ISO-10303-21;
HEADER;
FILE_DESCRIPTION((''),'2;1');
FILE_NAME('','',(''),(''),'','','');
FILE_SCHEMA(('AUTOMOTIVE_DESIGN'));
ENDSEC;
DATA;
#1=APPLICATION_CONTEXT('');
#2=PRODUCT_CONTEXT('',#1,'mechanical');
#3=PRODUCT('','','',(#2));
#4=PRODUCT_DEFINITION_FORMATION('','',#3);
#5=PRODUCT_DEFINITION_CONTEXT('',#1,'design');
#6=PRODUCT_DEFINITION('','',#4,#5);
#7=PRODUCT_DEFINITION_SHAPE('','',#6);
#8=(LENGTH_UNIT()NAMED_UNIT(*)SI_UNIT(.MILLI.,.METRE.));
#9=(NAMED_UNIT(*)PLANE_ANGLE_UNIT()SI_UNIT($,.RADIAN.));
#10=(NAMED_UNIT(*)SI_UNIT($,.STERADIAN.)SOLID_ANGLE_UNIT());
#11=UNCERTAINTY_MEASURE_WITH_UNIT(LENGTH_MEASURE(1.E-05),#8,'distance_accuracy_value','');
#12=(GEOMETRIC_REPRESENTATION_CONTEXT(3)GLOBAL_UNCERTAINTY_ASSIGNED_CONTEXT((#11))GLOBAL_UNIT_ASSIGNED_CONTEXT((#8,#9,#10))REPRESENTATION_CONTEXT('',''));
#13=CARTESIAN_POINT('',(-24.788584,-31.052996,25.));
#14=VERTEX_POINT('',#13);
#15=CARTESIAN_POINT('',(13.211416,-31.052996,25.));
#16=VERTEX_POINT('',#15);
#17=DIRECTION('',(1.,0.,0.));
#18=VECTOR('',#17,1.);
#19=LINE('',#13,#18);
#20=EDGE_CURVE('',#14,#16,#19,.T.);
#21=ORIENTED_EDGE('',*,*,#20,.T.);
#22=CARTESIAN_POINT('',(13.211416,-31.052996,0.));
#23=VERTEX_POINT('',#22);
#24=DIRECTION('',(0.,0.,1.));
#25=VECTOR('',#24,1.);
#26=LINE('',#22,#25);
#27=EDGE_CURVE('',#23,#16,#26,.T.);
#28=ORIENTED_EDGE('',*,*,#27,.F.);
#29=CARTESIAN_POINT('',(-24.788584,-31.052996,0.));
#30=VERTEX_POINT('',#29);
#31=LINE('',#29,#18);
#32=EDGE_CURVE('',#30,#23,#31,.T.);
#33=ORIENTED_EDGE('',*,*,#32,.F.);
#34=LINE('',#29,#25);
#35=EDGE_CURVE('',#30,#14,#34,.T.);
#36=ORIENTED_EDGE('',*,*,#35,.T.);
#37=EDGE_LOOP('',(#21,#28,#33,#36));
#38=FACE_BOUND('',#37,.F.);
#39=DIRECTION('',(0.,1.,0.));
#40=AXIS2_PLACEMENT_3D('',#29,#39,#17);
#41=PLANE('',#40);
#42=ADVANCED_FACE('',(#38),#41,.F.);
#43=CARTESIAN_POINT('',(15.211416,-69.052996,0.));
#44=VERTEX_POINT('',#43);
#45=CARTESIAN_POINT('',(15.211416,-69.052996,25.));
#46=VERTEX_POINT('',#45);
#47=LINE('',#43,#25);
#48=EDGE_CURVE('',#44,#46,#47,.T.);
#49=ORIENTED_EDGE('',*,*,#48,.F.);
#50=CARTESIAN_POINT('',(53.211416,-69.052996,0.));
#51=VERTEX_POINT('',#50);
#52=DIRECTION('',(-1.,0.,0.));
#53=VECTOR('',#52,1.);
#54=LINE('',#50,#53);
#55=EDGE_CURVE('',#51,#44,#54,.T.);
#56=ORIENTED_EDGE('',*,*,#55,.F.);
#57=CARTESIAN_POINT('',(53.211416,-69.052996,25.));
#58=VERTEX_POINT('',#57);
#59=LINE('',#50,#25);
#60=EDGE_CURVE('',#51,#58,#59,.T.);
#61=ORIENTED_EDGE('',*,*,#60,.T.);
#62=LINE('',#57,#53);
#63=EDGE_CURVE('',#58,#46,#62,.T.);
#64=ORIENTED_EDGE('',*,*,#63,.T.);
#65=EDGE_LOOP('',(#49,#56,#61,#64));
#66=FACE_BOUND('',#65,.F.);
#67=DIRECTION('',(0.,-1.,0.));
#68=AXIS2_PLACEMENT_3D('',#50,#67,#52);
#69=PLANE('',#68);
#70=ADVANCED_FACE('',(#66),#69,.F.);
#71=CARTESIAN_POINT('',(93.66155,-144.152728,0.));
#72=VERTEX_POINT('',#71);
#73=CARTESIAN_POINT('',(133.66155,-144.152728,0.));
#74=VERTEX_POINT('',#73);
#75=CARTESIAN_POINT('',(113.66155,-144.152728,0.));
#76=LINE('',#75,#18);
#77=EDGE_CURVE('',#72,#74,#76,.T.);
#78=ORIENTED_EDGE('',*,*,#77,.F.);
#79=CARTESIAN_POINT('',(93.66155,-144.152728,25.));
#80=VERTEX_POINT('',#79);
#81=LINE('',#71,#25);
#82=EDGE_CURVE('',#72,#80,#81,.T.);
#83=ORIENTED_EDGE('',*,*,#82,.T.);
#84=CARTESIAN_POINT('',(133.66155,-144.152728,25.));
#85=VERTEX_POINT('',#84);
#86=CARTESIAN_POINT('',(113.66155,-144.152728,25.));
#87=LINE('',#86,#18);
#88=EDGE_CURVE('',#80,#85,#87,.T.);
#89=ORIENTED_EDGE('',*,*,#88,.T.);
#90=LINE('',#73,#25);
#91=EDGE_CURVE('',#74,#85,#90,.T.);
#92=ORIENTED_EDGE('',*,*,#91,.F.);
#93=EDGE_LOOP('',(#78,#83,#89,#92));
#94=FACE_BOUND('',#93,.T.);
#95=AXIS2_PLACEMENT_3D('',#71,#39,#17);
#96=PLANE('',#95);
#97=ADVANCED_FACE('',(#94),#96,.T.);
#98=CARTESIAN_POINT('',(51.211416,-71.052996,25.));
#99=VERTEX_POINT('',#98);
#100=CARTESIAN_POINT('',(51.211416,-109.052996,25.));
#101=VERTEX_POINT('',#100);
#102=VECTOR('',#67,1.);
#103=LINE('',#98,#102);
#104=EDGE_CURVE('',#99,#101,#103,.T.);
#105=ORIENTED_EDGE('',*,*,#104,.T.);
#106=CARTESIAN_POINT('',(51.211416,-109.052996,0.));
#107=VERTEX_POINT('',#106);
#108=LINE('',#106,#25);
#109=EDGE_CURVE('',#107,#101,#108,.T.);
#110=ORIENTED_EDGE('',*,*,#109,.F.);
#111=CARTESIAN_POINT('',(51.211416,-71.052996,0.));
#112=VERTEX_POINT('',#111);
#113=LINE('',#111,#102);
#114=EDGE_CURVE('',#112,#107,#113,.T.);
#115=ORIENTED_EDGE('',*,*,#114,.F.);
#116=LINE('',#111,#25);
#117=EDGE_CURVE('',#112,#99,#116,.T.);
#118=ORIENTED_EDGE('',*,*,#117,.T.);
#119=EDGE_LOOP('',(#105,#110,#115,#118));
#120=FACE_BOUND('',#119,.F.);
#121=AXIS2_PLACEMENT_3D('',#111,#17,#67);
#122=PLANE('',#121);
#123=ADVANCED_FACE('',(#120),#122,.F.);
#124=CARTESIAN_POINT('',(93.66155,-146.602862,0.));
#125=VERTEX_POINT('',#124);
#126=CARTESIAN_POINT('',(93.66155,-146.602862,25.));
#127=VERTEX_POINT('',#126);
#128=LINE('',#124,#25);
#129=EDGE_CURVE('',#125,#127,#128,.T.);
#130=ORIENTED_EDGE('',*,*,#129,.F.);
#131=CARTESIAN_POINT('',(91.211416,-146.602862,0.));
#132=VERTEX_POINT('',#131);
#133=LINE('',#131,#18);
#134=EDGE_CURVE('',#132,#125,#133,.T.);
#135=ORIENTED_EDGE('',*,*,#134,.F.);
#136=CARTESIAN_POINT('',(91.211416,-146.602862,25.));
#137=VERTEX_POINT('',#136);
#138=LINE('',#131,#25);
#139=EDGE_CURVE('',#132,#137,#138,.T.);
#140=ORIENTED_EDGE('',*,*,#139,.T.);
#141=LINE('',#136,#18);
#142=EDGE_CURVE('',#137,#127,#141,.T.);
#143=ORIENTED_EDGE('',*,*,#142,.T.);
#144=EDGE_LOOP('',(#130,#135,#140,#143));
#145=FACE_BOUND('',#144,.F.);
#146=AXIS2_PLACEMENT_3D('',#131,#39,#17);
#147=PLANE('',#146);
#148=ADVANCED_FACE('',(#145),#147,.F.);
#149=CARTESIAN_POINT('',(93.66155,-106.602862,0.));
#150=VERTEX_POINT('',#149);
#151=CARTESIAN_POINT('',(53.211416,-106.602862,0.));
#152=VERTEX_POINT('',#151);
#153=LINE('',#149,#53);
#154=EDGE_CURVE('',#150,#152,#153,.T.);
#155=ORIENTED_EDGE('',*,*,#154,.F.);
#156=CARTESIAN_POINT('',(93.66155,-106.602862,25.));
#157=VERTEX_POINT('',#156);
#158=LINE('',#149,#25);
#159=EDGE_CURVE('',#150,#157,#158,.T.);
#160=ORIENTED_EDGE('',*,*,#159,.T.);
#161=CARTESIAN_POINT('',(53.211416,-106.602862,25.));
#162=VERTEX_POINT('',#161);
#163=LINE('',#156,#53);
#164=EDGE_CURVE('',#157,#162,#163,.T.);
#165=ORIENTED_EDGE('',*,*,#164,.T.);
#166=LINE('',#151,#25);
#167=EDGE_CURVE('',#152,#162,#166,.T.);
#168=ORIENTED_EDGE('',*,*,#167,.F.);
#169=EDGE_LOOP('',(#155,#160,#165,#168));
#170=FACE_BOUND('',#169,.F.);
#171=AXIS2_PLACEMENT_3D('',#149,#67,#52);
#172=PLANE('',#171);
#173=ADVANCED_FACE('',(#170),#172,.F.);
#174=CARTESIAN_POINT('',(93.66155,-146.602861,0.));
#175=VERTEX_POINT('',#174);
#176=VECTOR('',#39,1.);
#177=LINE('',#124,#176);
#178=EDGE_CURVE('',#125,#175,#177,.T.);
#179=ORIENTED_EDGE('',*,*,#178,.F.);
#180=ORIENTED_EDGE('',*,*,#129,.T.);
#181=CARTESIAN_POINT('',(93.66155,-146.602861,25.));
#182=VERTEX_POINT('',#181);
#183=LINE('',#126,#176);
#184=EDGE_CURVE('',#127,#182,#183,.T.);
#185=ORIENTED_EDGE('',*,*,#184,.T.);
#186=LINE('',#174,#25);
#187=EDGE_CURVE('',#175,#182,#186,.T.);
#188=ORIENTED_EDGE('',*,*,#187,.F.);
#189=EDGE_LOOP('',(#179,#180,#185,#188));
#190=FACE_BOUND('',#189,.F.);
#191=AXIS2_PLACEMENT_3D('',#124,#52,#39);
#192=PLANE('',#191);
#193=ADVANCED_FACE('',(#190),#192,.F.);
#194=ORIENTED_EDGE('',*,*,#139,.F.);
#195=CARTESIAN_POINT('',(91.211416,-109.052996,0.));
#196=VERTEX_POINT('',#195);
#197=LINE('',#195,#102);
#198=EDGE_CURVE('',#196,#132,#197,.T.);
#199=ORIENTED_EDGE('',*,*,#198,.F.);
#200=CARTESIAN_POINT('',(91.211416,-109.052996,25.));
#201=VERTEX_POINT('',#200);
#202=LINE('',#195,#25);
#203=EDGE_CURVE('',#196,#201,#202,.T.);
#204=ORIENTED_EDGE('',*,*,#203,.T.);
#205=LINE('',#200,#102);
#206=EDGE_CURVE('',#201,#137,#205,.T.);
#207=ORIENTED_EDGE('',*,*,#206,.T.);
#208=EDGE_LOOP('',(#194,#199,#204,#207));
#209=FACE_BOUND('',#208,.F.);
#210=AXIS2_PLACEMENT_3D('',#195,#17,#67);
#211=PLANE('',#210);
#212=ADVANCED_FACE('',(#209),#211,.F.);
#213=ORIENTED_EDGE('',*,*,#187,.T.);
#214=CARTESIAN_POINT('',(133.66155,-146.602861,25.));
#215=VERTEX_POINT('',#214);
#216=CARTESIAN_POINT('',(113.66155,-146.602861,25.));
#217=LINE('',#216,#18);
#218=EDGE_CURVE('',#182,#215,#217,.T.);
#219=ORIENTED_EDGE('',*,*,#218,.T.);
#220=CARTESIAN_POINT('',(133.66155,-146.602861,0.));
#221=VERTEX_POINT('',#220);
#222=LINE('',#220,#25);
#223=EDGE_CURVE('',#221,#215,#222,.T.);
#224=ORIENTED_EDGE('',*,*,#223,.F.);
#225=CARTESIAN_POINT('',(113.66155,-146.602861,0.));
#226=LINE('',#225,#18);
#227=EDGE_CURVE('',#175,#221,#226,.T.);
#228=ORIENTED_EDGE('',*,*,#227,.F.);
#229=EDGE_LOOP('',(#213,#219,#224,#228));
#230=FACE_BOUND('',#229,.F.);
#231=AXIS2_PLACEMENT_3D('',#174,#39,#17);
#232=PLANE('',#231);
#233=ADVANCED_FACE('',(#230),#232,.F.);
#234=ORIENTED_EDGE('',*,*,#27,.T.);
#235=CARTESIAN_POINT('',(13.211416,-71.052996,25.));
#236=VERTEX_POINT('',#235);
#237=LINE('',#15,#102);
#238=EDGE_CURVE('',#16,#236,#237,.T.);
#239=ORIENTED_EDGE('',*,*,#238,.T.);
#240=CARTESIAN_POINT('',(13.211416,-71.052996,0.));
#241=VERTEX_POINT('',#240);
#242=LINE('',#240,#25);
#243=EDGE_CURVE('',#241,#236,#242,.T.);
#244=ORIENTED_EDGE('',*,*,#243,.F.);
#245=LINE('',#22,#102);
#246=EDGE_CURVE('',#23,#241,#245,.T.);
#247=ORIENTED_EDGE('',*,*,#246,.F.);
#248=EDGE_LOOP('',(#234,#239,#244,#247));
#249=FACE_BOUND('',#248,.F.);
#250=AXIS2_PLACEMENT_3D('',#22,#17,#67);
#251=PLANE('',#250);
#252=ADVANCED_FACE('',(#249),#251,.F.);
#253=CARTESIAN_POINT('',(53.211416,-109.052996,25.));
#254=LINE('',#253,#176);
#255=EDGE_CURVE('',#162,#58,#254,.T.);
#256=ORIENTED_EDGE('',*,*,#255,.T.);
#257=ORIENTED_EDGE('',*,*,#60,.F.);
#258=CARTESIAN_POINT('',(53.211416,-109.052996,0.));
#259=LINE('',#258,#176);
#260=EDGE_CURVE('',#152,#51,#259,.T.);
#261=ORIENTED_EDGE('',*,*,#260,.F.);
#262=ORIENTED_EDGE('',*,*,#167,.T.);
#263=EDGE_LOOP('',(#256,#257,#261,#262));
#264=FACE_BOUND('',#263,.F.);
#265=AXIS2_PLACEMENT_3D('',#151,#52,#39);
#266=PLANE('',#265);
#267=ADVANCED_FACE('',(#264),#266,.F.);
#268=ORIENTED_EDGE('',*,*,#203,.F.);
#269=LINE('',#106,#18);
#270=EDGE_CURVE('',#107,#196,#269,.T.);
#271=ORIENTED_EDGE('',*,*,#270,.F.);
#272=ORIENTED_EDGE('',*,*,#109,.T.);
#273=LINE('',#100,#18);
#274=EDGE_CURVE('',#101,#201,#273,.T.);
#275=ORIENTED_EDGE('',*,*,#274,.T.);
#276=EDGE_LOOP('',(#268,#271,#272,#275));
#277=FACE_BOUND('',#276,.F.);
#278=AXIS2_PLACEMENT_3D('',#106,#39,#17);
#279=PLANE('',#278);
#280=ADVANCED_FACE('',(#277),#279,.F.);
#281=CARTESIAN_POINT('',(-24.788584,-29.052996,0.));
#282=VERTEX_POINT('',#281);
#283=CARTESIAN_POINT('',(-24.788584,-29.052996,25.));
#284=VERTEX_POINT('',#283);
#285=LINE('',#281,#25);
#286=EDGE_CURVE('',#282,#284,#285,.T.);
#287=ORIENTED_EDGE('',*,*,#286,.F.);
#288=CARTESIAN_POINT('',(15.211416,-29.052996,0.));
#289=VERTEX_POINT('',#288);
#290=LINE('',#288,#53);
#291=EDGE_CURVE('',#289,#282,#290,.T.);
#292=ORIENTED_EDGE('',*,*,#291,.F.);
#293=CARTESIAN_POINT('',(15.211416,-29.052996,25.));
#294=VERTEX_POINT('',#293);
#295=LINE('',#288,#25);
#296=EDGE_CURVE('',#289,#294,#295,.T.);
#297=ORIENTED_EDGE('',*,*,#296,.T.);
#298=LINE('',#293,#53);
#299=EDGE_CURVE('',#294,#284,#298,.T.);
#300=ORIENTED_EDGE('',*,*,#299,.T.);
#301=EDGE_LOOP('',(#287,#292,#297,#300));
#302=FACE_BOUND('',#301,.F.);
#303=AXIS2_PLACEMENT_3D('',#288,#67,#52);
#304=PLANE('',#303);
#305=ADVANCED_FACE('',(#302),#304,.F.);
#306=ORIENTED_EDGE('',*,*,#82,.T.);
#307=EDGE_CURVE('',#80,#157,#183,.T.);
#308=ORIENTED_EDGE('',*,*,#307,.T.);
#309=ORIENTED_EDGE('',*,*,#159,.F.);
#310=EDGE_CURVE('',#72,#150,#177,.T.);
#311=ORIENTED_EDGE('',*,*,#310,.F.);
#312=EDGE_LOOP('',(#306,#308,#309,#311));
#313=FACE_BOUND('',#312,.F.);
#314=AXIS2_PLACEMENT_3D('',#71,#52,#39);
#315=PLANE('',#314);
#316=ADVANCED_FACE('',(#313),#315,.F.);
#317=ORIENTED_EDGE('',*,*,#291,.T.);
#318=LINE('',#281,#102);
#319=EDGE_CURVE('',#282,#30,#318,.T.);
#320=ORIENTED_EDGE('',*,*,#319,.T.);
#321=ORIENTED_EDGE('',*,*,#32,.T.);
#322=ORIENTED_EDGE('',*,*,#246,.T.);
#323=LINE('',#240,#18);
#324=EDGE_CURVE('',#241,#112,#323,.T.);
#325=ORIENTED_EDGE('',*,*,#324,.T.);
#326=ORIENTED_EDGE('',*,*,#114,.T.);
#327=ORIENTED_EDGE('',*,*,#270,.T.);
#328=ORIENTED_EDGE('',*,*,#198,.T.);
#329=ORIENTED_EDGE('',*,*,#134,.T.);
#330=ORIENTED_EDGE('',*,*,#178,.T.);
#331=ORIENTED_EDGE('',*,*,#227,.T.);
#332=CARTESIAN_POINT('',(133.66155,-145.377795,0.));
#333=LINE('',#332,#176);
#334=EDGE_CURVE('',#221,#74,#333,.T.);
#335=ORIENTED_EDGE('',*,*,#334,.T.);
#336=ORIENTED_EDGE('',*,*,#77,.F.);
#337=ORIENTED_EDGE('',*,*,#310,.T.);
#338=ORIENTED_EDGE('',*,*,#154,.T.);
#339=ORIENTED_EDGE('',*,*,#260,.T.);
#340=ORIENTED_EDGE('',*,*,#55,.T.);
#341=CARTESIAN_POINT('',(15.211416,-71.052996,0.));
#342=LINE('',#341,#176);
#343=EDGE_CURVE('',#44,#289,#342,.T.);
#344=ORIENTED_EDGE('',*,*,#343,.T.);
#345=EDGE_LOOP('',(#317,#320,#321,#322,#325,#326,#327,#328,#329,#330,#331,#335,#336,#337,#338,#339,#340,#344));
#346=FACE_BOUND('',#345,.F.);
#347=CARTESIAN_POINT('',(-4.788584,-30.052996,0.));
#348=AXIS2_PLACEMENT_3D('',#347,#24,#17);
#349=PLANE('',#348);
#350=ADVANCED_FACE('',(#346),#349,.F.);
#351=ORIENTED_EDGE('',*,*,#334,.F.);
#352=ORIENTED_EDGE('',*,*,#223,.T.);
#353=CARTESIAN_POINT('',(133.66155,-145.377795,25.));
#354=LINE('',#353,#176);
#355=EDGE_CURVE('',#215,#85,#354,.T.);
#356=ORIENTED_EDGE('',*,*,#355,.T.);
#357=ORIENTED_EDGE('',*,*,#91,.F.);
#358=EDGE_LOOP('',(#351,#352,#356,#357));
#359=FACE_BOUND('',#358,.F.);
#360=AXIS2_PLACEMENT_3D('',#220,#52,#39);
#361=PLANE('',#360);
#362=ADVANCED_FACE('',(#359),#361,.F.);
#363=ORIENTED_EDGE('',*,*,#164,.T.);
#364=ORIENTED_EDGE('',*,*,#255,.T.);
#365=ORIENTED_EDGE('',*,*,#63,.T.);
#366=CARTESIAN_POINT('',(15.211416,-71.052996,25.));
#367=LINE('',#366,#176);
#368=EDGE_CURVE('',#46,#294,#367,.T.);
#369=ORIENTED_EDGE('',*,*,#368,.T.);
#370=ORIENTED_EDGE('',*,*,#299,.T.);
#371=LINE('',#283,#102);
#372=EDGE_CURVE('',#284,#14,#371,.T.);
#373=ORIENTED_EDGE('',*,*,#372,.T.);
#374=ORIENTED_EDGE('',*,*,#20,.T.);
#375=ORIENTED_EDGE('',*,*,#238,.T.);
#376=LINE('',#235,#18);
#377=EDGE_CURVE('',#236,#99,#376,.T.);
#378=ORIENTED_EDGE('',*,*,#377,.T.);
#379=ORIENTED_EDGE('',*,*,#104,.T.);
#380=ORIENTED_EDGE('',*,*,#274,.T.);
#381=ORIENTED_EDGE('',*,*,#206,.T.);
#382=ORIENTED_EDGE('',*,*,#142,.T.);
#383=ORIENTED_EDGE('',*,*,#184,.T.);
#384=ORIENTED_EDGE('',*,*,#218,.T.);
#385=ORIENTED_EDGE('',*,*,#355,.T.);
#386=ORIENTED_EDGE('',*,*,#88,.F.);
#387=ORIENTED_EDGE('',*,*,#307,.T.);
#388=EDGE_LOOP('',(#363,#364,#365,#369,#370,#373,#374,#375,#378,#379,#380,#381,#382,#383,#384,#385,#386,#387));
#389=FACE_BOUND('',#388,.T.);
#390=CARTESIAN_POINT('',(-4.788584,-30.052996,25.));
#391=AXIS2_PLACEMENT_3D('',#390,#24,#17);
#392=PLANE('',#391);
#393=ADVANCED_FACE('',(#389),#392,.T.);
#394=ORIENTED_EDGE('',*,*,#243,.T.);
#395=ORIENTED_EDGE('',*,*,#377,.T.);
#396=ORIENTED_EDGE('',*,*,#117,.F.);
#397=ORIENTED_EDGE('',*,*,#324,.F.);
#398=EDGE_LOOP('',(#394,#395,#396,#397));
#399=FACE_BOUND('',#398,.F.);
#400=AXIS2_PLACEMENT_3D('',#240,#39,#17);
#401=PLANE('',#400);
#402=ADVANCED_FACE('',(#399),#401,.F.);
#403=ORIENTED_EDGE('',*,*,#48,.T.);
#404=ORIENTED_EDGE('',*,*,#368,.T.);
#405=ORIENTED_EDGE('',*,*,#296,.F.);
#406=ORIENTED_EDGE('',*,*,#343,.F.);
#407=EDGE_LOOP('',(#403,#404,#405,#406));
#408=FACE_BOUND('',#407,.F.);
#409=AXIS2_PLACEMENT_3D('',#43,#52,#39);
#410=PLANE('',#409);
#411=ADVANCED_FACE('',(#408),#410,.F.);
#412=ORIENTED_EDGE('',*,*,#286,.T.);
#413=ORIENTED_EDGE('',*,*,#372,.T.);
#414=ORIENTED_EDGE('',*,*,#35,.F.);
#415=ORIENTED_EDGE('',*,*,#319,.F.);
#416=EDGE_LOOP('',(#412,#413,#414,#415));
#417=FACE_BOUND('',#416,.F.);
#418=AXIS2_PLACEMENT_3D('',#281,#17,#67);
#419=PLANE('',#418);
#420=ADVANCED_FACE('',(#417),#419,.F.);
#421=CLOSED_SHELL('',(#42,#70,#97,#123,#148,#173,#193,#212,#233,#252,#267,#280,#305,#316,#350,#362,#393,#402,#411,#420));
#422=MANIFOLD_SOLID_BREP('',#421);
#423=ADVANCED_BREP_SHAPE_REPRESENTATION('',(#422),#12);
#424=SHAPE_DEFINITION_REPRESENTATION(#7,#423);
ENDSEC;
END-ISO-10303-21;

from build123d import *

# Parameters (mm, degrees)
F0_W     = 2
F0_H     = 38
F0_H_2   = 2
F0_W_2   = 36
F0_H_3   = 35.549866
F0_H_4   = 2.450134
F0_W_3   = 38
F0_W_4   = 40
F0_H_5   = 2.450133
F1_DEPTH = 25


with BuildPart() as f1:
    # F0 (on Top) → F1 (new body)
    with BuildSketch(Plane.XY):
        Polygon((-24.788584, -29.052996), (-24.788584, -31.052996), (13.211416, -31.052996), (15.211416, -31.052996), (15.211416, -29.052996), align=None)
        with Locations((14.211416, -50.052996)):
            Rectangle(F0_W, F0_H)
        with Locations((14.211416, -70.052996)):
            Rectangle(F0_W, F0_H_2)
        with Locations((33.211416, -70.052996)):
            Rectangle(F0_W_2, F0_H_2)
        with Locations((52.211416, -70.052996)):
            Rectangle(F0_W, F0_H_2)
        with Locations((52.211416, -88.827929)):
            Rectangle(F0_W, F0_H_3)
        with Locations((52.211416, -107.827929)):
            Rectangle(F0_W, F0_H_4)
        with Locations((72.211416, -107.827929)):
            Rectangle(F0_W_3, F0_H_4)
        Polygon((93.66155, -106.602862), (91.211416, -106.602862), (91.211416, -109.052996), (91.211416, -146.602862), (93.66155, -146.602862), (93.66155, -144.152729), align=None)
        with Locations((113.66155, -145.377795)):
            Rectangle(F0_W_4, F0_H_5)
    extrude(amount=F1_DEPTH)


solid = f1.part
